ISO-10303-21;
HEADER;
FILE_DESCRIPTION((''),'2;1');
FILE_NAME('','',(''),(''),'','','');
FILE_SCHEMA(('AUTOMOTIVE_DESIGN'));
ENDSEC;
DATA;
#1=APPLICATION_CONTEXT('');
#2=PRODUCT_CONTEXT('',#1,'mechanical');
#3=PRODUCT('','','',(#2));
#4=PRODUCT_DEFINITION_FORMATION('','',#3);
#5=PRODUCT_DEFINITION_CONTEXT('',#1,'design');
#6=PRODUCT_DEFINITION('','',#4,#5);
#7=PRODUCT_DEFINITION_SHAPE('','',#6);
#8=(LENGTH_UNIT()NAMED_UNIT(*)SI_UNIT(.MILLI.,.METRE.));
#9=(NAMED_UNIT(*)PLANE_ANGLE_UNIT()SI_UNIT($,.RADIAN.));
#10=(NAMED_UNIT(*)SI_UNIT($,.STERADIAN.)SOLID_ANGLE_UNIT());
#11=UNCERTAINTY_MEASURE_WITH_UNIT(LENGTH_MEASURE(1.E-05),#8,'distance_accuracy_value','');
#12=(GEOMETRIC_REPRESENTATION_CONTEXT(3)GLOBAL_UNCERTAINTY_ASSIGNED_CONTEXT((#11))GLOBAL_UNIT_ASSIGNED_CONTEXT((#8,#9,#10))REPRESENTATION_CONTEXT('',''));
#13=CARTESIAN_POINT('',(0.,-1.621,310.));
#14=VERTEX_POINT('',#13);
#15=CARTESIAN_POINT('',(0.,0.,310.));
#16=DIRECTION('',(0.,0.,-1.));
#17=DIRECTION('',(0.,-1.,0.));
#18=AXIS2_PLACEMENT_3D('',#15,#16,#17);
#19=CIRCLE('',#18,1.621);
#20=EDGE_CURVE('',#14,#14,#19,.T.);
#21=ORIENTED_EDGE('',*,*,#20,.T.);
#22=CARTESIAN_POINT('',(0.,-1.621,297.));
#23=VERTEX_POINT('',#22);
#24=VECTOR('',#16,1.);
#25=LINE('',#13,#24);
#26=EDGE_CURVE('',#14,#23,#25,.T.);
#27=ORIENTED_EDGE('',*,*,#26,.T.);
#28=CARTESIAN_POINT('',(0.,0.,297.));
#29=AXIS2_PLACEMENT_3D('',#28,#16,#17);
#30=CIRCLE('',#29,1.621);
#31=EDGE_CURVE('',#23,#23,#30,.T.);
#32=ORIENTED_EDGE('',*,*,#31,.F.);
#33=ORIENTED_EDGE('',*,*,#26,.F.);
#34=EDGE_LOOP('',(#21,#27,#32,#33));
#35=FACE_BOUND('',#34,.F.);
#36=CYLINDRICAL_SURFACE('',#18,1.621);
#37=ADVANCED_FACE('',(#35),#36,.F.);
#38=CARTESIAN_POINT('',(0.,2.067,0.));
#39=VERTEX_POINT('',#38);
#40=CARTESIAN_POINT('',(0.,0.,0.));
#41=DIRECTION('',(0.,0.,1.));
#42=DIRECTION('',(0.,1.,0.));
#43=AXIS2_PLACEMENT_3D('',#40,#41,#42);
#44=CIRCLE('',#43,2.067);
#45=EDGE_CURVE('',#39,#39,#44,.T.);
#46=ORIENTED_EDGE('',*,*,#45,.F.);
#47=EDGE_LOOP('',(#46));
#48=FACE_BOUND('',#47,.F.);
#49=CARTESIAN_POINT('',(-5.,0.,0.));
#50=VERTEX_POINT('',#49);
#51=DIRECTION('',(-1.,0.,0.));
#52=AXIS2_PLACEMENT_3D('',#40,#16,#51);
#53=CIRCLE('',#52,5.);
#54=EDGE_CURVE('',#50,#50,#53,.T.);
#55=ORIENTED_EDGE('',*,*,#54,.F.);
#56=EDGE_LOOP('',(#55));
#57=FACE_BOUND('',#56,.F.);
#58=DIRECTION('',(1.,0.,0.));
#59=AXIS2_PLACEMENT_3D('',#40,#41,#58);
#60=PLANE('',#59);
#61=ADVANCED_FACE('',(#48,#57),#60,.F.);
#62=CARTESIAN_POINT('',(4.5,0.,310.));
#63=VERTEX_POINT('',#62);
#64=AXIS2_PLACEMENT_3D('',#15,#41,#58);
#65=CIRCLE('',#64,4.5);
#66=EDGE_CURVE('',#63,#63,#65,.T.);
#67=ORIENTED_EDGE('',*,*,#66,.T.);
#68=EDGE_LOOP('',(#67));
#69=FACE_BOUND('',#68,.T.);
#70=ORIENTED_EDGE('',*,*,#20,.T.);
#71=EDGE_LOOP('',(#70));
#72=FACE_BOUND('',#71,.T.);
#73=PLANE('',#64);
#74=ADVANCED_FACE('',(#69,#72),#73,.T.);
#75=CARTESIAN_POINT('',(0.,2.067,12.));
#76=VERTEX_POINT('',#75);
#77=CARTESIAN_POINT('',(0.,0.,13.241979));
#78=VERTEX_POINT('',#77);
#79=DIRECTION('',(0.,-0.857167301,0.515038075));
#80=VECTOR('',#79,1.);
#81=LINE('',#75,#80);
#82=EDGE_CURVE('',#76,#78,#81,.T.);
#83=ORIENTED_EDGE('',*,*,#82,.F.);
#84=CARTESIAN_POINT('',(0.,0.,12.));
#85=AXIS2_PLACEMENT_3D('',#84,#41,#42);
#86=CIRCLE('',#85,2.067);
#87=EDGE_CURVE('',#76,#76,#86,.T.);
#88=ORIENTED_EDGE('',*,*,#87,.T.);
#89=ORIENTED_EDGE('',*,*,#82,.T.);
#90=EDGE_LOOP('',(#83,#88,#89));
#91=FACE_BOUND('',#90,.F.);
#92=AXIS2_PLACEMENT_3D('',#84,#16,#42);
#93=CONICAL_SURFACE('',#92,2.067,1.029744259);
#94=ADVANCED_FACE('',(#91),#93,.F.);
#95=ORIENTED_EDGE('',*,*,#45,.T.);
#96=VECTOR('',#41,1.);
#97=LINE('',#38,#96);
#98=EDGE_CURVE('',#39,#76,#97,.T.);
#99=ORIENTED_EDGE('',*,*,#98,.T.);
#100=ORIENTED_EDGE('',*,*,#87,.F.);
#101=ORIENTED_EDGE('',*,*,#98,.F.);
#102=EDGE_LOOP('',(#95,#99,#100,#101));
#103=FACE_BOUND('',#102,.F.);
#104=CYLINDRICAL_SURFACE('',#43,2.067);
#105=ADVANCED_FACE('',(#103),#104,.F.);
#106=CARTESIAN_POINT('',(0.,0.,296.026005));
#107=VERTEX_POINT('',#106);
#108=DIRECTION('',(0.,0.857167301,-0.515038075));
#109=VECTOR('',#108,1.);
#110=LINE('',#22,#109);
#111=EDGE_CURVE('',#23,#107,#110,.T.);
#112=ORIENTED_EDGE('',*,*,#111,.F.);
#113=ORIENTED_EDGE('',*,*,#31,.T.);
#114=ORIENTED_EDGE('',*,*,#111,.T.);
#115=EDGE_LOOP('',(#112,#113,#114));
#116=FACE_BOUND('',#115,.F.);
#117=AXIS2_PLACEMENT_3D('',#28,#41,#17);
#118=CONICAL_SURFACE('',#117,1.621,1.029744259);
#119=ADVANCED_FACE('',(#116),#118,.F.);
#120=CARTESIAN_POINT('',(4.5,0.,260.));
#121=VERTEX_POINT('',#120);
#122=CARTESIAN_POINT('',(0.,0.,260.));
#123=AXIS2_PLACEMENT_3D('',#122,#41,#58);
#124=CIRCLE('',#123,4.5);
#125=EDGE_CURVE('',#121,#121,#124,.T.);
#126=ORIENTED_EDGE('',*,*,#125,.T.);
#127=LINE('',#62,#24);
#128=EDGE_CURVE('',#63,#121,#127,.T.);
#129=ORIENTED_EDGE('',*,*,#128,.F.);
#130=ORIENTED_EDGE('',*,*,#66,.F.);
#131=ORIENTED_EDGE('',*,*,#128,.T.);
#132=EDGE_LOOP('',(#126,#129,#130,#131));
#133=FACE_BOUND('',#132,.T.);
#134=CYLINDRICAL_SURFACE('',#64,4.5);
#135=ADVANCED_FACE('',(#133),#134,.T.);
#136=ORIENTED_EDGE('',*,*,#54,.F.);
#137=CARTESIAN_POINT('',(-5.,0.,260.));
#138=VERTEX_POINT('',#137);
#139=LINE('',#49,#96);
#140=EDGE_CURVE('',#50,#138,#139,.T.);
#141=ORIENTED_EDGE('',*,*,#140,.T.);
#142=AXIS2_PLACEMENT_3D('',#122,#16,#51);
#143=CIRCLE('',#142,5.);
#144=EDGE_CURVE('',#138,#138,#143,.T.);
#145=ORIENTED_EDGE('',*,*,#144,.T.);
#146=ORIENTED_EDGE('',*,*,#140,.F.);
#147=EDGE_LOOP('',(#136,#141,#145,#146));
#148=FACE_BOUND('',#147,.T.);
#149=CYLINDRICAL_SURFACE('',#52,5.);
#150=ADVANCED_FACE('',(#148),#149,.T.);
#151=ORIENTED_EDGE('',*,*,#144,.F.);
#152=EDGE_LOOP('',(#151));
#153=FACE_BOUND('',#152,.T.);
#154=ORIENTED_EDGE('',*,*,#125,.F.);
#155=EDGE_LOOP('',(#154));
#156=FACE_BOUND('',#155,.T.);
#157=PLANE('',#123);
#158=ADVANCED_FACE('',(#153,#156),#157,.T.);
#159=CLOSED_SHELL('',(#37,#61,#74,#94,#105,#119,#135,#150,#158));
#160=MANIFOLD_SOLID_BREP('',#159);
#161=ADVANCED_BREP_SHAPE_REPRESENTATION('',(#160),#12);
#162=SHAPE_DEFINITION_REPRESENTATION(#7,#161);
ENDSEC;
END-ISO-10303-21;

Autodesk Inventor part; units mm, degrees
ref_plane "YZ Plane" through (0, 0, 0) normal (1, 0, 0) x (0, 1, 0)
ref_plane "XZ Plane" through (0, 0, 0) normal (0, 1, 0) x (-1, 0, 0)
ref_plane "XY Plane" through (0, 0, 0) normal (0, 0, 1) x (1, 0, 0)
sketch "Skizze1" plane through (0, 0, 0) normal (0, 0, 1) x (1, 0, 0)
  circle A0 centre (0, 0) radius 6
  dimension "d0" = 12
extrude "Extrusion1" add sketch "Skizze1" along normal blind 310
sketch "Skizze2" plane through (0, 0, 0) normal (0, 0, -1) x (-1, 0, 0)
  circle A0 centre (0, 0) radius 6 projected
  circle A1 centre (0, 0) radius 5
  dimension "d3" = 10
extrude "Extrusion2" cut sketch "Skizze2" against normal through all
sketch "Skizze3" plane through (0, 0, 310) normal (0, 0, 1) x (1, 0, 0)
  circle A0 centre (0, 0) radius 5 projected
  circle A1 centre (0, 0) radius 4.5
  dimension "d6" = 9
extrude "Extrusion3" cut sketch "Skizze3" against normal blind 50
hole "Bohrung1" at (0, 0, 0) direction (0, 0, 1) diameter 4.134 depth 12 tip angle 118 thread size "M5x0.8" class "6H" standard "ISO Metric profile"
hole "Bohrung2" at (0, 0, 310) direction (0, 0, -1) diameter 3.242 depth 13 tip angle 118 thread size "M4x0.7" class "6H" standard "ISO Metric profile"
properties part number "13_0204_022"
